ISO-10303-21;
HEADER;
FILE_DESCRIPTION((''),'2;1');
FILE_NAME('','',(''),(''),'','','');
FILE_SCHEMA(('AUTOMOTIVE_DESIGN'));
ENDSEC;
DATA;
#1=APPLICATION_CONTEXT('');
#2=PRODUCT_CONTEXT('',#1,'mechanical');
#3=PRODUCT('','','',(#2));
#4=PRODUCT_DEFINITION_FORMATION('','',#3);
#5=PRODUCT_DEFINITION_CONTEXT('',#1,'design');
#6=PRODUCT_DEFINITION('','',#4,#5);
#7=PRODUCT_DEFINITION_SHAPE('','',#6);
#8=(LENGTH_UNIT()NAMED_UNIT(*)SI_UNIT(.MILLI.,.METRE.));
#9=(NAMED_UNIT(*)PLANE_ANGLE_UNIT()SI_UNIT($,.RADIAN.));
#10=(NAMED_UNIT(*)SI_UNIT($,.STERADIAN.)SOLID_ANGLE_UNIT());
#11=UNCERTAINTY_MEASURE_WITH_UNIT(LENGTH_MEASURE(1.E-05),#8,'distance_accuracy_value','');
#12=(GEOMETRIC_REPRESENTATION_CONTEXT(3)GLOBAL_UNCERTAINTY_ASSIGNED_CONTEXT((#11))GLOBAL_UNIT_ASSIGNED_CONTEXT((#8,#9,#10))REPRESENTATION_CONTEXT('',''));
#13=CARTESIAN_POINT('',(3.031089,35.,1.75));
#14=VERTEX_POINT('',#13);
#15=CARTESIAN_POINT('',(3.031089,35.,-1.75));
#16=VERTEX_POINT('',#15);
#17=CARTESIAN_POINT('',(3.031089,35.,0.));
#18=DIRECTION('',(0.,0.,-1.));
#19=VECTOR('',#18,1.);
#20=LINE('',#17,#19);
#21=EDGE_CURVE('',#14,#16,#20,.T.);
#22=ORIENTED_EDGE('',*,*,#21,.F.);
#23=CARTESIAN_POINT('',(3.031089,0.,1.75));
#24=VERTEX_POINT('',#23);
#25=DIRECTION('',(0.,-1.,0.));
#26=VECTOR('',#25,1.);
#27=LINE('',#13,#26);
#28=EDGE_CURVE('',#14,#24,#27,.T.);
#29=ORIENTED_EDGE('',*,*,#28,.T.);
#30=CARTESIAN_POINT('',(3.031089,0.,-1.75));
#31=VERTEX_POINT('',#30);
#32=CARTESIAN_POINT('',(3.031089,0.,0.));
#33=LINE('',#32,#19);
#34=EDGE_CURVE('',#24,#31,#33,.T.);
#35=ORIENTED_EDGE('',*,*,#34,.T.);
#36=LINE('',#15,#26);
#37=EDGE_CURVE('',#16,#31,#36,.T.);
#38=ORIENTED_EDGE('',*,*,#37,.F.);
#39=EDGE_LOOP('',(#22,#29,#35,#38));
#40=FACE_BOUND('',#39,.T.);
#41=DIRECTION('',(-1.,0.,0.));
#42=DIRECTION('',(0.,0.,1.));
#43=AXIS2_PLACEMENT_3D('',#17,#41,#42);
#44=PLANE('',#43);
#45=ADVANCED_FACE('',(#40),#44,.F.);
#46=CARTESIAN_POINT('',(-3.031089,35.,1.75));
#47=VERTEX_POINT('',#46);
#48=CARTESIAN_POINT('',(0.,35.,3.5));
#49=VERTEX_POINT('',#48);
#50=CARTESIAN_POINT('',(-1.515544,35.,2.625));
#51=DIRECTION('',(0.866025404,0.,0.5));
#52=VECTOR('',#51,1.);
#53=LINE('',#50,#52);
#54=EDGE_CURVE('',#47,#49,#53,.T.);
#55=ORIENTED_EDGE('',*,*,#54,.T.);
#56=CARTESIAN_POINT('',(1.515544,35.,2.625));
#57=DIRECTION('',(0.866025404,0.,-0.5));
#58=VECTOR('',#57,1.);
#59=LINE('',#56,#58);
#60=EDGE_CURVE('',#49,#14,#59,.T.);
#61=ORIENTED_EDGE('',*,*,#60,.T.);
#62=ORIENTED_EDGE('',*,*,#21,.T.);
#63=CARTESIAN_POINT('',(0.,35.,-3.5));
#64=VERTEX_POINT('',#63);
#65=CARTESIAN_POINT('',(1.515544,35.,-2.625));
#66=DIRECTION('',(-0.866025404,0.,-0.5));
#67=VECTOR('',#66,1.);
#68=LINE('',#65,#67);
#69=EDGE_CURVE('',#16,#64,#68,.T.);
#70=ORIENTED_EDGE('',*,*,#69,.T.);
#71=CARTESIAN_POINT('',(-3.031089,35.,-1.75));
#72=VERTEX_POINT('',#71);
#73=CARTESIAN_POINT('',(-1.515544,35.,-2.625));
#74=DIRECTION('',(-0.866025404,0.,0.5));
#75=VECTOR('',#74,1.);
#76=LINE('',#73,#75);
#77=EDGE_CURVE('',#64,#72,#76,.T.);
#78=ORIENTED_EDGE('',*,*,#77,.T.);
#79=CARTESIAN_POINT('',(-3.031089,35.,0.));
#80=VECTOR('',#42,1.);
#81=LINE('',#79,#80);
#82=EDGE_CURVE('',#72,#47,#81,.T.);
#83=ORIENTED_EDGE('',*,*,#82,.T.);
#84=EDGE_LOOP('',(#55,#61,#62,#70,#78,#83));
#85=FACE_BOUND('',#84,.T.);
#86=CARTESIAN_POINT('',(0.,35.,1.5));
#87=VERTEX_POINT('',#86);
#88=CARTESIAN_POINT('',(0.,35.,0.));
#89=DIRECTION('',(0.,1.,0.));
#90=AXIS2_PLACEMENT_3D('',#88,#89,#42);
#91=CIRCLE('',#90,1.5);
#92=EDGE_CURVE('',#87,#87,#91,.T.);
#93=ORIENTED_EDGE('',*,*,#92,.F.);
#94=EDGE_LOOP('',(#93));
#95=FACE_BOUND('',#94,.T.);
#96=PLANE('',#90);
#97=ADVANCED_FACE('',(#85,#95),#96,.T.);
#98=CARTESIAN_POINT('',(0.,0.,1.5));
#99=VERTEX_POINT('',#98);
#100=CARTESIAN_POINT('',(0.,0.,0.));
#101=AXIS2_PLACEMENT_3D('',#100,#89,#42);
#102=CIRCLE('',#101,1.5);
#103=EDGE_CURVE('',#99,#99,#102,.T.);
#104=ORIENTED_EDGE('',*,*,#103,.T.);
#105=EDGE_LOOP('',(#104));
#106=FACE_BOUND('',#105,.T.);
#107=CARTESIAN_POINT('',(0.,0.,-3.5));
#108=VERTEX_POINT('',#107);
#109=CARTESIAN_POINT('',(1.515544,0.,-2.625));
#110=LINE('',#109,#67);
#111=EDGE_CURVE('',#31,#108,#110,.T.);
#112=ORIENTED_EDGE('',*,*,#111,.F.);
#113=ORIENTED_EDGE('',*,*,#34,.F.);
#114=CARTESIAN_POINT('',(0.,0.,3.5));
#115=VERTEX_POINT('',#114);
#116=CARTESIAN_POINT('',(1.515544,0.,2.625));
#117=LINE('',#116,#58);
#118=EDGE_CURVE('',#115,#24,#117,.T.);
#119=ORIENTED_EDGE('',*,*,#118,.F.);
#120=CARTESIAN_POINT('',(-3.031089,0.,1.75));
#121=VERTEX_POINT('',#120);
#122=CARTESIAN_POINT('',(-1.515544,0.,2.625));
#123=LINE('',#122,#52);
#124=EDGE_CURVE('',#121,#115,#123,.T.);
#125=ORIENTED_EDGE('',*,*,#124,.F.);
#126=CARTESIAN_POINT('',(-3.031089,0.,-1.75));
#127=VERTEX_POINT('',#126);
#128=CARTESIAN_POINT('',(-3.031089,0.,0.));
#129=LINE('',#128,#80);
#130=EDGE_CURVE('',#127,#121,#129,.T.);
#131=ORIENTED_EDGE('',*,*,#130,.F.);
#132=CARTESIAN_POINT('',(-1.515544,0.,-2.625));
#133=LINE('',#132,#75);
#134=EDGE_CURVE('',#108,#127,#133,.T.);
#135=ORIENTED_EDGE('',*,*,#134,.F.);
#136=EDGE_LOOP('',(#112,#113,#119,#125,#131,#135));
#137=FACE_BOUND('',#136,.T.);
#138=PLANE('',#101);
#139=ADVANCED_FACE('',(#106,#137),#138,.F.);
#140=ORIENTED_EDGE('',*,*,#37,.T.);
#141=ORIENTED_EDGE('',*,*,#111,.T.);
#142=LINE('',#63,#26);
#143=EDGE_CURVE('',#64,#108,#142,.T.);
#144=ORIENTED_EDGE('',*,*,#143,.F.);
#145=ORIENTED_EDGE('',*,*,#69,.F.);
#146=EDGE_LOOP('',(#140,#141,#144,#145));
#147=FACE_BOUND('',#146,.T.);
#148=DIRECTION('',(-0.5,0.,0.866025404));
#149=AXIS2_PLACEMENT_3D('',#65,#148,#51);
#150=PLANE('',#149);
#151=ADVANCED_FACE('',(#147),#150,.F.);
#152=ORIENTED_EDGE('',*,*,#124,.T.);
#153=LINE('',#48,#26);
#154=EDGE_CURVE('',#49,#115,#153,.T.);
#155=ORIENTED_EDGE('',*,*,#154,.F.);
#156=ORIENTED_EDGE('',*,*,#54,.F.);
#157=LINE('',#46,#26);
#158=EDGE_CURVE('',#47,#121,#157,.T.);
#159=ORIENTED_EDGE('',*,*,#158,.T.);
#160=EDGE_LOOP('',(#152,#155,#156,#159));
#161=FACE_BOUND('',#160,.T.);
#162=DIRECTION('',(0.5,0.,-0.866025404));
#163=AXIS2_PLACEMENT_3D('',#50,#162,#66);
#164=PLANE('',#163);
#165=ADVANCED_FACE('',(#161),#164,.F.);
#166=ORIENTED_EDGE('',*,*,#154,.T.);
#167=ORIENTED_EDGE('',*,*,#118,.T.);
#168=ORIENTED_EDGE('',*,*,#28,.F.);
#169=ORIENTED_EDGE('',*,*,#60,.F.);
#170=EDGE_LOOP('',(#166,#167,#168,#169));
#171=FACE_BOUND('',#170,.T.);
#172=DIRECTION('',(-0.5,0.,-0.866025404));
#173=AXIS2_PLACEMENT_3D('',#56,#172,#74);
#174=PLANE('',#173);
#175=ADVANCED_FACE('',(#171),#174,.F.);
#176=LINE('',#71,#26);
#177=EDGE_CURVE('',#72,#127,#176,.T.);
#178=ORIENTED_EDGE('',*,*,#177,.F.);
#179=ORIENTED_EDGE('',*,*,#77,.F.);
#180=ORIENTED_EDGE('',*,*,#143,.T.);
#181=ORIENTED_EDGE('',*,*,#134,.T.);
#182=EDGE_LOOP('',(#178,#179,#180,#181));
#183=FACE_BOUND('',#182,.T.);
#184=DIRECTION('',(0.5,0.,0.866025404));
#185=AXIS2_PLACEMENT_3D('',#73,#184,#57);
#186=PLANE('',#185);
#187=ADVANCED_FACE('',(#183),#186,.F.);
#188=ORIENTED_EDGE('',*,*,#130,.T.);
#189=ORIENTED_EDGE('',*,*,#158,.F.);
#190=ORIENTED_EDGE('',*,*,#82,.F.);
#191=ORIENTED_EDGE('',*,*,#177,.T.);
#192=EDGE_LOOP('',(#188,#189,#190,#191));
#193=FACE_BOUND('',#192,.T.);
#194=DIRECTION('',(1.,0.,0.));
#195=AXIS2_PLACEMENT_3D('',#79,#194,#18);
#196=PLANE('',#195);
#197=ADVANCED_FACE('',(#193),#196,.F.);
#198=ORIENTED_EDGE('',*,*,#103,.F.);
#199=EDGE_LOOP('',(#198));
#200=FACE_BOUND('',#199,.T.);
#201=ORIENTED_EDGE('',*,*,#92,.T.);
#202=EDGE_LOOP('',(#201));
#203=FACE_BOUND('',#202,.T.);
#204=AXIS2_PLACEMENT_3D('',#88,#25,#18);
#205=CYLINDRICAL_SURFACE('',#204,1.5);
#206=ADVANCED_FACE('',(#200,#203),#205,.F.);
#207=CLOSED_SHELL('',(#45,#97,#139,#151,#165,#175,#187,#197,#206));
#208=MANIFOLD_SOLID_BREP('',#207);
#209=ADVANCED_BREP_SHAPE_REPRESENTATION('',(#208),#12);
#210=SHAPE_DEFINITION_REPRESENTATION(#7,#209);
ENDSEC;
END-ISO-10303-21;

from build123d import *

# Parameters (mm, degrees)
SKETCH_1_R      = 1.5
EXTRUDE_1_DEPTH = 35


with BuildPart() as part:
    # 草图1 → 凸台-拉伸1 (new body)
    with BuildSketch(Plane(origin=(0, 0, 0), x_dir=(1, 0, 0), z_dir=(0, 1, 0))):
        Polygon((0, 3.5), (-3.031088913, 1.75), (-3.031088913, -1.75), (0, -3.5), (3.031088913, -1.75), (3.031088913, 1.75), align=None)
        with Locations(Location((0, 0, 0), (0, 0, 270))):
            Circle(SKETCH_1_R, mode=Mode.SUBTRACT)
    extrude(amount=EXTRUDE_1_DEPTH)


solid = part.part
